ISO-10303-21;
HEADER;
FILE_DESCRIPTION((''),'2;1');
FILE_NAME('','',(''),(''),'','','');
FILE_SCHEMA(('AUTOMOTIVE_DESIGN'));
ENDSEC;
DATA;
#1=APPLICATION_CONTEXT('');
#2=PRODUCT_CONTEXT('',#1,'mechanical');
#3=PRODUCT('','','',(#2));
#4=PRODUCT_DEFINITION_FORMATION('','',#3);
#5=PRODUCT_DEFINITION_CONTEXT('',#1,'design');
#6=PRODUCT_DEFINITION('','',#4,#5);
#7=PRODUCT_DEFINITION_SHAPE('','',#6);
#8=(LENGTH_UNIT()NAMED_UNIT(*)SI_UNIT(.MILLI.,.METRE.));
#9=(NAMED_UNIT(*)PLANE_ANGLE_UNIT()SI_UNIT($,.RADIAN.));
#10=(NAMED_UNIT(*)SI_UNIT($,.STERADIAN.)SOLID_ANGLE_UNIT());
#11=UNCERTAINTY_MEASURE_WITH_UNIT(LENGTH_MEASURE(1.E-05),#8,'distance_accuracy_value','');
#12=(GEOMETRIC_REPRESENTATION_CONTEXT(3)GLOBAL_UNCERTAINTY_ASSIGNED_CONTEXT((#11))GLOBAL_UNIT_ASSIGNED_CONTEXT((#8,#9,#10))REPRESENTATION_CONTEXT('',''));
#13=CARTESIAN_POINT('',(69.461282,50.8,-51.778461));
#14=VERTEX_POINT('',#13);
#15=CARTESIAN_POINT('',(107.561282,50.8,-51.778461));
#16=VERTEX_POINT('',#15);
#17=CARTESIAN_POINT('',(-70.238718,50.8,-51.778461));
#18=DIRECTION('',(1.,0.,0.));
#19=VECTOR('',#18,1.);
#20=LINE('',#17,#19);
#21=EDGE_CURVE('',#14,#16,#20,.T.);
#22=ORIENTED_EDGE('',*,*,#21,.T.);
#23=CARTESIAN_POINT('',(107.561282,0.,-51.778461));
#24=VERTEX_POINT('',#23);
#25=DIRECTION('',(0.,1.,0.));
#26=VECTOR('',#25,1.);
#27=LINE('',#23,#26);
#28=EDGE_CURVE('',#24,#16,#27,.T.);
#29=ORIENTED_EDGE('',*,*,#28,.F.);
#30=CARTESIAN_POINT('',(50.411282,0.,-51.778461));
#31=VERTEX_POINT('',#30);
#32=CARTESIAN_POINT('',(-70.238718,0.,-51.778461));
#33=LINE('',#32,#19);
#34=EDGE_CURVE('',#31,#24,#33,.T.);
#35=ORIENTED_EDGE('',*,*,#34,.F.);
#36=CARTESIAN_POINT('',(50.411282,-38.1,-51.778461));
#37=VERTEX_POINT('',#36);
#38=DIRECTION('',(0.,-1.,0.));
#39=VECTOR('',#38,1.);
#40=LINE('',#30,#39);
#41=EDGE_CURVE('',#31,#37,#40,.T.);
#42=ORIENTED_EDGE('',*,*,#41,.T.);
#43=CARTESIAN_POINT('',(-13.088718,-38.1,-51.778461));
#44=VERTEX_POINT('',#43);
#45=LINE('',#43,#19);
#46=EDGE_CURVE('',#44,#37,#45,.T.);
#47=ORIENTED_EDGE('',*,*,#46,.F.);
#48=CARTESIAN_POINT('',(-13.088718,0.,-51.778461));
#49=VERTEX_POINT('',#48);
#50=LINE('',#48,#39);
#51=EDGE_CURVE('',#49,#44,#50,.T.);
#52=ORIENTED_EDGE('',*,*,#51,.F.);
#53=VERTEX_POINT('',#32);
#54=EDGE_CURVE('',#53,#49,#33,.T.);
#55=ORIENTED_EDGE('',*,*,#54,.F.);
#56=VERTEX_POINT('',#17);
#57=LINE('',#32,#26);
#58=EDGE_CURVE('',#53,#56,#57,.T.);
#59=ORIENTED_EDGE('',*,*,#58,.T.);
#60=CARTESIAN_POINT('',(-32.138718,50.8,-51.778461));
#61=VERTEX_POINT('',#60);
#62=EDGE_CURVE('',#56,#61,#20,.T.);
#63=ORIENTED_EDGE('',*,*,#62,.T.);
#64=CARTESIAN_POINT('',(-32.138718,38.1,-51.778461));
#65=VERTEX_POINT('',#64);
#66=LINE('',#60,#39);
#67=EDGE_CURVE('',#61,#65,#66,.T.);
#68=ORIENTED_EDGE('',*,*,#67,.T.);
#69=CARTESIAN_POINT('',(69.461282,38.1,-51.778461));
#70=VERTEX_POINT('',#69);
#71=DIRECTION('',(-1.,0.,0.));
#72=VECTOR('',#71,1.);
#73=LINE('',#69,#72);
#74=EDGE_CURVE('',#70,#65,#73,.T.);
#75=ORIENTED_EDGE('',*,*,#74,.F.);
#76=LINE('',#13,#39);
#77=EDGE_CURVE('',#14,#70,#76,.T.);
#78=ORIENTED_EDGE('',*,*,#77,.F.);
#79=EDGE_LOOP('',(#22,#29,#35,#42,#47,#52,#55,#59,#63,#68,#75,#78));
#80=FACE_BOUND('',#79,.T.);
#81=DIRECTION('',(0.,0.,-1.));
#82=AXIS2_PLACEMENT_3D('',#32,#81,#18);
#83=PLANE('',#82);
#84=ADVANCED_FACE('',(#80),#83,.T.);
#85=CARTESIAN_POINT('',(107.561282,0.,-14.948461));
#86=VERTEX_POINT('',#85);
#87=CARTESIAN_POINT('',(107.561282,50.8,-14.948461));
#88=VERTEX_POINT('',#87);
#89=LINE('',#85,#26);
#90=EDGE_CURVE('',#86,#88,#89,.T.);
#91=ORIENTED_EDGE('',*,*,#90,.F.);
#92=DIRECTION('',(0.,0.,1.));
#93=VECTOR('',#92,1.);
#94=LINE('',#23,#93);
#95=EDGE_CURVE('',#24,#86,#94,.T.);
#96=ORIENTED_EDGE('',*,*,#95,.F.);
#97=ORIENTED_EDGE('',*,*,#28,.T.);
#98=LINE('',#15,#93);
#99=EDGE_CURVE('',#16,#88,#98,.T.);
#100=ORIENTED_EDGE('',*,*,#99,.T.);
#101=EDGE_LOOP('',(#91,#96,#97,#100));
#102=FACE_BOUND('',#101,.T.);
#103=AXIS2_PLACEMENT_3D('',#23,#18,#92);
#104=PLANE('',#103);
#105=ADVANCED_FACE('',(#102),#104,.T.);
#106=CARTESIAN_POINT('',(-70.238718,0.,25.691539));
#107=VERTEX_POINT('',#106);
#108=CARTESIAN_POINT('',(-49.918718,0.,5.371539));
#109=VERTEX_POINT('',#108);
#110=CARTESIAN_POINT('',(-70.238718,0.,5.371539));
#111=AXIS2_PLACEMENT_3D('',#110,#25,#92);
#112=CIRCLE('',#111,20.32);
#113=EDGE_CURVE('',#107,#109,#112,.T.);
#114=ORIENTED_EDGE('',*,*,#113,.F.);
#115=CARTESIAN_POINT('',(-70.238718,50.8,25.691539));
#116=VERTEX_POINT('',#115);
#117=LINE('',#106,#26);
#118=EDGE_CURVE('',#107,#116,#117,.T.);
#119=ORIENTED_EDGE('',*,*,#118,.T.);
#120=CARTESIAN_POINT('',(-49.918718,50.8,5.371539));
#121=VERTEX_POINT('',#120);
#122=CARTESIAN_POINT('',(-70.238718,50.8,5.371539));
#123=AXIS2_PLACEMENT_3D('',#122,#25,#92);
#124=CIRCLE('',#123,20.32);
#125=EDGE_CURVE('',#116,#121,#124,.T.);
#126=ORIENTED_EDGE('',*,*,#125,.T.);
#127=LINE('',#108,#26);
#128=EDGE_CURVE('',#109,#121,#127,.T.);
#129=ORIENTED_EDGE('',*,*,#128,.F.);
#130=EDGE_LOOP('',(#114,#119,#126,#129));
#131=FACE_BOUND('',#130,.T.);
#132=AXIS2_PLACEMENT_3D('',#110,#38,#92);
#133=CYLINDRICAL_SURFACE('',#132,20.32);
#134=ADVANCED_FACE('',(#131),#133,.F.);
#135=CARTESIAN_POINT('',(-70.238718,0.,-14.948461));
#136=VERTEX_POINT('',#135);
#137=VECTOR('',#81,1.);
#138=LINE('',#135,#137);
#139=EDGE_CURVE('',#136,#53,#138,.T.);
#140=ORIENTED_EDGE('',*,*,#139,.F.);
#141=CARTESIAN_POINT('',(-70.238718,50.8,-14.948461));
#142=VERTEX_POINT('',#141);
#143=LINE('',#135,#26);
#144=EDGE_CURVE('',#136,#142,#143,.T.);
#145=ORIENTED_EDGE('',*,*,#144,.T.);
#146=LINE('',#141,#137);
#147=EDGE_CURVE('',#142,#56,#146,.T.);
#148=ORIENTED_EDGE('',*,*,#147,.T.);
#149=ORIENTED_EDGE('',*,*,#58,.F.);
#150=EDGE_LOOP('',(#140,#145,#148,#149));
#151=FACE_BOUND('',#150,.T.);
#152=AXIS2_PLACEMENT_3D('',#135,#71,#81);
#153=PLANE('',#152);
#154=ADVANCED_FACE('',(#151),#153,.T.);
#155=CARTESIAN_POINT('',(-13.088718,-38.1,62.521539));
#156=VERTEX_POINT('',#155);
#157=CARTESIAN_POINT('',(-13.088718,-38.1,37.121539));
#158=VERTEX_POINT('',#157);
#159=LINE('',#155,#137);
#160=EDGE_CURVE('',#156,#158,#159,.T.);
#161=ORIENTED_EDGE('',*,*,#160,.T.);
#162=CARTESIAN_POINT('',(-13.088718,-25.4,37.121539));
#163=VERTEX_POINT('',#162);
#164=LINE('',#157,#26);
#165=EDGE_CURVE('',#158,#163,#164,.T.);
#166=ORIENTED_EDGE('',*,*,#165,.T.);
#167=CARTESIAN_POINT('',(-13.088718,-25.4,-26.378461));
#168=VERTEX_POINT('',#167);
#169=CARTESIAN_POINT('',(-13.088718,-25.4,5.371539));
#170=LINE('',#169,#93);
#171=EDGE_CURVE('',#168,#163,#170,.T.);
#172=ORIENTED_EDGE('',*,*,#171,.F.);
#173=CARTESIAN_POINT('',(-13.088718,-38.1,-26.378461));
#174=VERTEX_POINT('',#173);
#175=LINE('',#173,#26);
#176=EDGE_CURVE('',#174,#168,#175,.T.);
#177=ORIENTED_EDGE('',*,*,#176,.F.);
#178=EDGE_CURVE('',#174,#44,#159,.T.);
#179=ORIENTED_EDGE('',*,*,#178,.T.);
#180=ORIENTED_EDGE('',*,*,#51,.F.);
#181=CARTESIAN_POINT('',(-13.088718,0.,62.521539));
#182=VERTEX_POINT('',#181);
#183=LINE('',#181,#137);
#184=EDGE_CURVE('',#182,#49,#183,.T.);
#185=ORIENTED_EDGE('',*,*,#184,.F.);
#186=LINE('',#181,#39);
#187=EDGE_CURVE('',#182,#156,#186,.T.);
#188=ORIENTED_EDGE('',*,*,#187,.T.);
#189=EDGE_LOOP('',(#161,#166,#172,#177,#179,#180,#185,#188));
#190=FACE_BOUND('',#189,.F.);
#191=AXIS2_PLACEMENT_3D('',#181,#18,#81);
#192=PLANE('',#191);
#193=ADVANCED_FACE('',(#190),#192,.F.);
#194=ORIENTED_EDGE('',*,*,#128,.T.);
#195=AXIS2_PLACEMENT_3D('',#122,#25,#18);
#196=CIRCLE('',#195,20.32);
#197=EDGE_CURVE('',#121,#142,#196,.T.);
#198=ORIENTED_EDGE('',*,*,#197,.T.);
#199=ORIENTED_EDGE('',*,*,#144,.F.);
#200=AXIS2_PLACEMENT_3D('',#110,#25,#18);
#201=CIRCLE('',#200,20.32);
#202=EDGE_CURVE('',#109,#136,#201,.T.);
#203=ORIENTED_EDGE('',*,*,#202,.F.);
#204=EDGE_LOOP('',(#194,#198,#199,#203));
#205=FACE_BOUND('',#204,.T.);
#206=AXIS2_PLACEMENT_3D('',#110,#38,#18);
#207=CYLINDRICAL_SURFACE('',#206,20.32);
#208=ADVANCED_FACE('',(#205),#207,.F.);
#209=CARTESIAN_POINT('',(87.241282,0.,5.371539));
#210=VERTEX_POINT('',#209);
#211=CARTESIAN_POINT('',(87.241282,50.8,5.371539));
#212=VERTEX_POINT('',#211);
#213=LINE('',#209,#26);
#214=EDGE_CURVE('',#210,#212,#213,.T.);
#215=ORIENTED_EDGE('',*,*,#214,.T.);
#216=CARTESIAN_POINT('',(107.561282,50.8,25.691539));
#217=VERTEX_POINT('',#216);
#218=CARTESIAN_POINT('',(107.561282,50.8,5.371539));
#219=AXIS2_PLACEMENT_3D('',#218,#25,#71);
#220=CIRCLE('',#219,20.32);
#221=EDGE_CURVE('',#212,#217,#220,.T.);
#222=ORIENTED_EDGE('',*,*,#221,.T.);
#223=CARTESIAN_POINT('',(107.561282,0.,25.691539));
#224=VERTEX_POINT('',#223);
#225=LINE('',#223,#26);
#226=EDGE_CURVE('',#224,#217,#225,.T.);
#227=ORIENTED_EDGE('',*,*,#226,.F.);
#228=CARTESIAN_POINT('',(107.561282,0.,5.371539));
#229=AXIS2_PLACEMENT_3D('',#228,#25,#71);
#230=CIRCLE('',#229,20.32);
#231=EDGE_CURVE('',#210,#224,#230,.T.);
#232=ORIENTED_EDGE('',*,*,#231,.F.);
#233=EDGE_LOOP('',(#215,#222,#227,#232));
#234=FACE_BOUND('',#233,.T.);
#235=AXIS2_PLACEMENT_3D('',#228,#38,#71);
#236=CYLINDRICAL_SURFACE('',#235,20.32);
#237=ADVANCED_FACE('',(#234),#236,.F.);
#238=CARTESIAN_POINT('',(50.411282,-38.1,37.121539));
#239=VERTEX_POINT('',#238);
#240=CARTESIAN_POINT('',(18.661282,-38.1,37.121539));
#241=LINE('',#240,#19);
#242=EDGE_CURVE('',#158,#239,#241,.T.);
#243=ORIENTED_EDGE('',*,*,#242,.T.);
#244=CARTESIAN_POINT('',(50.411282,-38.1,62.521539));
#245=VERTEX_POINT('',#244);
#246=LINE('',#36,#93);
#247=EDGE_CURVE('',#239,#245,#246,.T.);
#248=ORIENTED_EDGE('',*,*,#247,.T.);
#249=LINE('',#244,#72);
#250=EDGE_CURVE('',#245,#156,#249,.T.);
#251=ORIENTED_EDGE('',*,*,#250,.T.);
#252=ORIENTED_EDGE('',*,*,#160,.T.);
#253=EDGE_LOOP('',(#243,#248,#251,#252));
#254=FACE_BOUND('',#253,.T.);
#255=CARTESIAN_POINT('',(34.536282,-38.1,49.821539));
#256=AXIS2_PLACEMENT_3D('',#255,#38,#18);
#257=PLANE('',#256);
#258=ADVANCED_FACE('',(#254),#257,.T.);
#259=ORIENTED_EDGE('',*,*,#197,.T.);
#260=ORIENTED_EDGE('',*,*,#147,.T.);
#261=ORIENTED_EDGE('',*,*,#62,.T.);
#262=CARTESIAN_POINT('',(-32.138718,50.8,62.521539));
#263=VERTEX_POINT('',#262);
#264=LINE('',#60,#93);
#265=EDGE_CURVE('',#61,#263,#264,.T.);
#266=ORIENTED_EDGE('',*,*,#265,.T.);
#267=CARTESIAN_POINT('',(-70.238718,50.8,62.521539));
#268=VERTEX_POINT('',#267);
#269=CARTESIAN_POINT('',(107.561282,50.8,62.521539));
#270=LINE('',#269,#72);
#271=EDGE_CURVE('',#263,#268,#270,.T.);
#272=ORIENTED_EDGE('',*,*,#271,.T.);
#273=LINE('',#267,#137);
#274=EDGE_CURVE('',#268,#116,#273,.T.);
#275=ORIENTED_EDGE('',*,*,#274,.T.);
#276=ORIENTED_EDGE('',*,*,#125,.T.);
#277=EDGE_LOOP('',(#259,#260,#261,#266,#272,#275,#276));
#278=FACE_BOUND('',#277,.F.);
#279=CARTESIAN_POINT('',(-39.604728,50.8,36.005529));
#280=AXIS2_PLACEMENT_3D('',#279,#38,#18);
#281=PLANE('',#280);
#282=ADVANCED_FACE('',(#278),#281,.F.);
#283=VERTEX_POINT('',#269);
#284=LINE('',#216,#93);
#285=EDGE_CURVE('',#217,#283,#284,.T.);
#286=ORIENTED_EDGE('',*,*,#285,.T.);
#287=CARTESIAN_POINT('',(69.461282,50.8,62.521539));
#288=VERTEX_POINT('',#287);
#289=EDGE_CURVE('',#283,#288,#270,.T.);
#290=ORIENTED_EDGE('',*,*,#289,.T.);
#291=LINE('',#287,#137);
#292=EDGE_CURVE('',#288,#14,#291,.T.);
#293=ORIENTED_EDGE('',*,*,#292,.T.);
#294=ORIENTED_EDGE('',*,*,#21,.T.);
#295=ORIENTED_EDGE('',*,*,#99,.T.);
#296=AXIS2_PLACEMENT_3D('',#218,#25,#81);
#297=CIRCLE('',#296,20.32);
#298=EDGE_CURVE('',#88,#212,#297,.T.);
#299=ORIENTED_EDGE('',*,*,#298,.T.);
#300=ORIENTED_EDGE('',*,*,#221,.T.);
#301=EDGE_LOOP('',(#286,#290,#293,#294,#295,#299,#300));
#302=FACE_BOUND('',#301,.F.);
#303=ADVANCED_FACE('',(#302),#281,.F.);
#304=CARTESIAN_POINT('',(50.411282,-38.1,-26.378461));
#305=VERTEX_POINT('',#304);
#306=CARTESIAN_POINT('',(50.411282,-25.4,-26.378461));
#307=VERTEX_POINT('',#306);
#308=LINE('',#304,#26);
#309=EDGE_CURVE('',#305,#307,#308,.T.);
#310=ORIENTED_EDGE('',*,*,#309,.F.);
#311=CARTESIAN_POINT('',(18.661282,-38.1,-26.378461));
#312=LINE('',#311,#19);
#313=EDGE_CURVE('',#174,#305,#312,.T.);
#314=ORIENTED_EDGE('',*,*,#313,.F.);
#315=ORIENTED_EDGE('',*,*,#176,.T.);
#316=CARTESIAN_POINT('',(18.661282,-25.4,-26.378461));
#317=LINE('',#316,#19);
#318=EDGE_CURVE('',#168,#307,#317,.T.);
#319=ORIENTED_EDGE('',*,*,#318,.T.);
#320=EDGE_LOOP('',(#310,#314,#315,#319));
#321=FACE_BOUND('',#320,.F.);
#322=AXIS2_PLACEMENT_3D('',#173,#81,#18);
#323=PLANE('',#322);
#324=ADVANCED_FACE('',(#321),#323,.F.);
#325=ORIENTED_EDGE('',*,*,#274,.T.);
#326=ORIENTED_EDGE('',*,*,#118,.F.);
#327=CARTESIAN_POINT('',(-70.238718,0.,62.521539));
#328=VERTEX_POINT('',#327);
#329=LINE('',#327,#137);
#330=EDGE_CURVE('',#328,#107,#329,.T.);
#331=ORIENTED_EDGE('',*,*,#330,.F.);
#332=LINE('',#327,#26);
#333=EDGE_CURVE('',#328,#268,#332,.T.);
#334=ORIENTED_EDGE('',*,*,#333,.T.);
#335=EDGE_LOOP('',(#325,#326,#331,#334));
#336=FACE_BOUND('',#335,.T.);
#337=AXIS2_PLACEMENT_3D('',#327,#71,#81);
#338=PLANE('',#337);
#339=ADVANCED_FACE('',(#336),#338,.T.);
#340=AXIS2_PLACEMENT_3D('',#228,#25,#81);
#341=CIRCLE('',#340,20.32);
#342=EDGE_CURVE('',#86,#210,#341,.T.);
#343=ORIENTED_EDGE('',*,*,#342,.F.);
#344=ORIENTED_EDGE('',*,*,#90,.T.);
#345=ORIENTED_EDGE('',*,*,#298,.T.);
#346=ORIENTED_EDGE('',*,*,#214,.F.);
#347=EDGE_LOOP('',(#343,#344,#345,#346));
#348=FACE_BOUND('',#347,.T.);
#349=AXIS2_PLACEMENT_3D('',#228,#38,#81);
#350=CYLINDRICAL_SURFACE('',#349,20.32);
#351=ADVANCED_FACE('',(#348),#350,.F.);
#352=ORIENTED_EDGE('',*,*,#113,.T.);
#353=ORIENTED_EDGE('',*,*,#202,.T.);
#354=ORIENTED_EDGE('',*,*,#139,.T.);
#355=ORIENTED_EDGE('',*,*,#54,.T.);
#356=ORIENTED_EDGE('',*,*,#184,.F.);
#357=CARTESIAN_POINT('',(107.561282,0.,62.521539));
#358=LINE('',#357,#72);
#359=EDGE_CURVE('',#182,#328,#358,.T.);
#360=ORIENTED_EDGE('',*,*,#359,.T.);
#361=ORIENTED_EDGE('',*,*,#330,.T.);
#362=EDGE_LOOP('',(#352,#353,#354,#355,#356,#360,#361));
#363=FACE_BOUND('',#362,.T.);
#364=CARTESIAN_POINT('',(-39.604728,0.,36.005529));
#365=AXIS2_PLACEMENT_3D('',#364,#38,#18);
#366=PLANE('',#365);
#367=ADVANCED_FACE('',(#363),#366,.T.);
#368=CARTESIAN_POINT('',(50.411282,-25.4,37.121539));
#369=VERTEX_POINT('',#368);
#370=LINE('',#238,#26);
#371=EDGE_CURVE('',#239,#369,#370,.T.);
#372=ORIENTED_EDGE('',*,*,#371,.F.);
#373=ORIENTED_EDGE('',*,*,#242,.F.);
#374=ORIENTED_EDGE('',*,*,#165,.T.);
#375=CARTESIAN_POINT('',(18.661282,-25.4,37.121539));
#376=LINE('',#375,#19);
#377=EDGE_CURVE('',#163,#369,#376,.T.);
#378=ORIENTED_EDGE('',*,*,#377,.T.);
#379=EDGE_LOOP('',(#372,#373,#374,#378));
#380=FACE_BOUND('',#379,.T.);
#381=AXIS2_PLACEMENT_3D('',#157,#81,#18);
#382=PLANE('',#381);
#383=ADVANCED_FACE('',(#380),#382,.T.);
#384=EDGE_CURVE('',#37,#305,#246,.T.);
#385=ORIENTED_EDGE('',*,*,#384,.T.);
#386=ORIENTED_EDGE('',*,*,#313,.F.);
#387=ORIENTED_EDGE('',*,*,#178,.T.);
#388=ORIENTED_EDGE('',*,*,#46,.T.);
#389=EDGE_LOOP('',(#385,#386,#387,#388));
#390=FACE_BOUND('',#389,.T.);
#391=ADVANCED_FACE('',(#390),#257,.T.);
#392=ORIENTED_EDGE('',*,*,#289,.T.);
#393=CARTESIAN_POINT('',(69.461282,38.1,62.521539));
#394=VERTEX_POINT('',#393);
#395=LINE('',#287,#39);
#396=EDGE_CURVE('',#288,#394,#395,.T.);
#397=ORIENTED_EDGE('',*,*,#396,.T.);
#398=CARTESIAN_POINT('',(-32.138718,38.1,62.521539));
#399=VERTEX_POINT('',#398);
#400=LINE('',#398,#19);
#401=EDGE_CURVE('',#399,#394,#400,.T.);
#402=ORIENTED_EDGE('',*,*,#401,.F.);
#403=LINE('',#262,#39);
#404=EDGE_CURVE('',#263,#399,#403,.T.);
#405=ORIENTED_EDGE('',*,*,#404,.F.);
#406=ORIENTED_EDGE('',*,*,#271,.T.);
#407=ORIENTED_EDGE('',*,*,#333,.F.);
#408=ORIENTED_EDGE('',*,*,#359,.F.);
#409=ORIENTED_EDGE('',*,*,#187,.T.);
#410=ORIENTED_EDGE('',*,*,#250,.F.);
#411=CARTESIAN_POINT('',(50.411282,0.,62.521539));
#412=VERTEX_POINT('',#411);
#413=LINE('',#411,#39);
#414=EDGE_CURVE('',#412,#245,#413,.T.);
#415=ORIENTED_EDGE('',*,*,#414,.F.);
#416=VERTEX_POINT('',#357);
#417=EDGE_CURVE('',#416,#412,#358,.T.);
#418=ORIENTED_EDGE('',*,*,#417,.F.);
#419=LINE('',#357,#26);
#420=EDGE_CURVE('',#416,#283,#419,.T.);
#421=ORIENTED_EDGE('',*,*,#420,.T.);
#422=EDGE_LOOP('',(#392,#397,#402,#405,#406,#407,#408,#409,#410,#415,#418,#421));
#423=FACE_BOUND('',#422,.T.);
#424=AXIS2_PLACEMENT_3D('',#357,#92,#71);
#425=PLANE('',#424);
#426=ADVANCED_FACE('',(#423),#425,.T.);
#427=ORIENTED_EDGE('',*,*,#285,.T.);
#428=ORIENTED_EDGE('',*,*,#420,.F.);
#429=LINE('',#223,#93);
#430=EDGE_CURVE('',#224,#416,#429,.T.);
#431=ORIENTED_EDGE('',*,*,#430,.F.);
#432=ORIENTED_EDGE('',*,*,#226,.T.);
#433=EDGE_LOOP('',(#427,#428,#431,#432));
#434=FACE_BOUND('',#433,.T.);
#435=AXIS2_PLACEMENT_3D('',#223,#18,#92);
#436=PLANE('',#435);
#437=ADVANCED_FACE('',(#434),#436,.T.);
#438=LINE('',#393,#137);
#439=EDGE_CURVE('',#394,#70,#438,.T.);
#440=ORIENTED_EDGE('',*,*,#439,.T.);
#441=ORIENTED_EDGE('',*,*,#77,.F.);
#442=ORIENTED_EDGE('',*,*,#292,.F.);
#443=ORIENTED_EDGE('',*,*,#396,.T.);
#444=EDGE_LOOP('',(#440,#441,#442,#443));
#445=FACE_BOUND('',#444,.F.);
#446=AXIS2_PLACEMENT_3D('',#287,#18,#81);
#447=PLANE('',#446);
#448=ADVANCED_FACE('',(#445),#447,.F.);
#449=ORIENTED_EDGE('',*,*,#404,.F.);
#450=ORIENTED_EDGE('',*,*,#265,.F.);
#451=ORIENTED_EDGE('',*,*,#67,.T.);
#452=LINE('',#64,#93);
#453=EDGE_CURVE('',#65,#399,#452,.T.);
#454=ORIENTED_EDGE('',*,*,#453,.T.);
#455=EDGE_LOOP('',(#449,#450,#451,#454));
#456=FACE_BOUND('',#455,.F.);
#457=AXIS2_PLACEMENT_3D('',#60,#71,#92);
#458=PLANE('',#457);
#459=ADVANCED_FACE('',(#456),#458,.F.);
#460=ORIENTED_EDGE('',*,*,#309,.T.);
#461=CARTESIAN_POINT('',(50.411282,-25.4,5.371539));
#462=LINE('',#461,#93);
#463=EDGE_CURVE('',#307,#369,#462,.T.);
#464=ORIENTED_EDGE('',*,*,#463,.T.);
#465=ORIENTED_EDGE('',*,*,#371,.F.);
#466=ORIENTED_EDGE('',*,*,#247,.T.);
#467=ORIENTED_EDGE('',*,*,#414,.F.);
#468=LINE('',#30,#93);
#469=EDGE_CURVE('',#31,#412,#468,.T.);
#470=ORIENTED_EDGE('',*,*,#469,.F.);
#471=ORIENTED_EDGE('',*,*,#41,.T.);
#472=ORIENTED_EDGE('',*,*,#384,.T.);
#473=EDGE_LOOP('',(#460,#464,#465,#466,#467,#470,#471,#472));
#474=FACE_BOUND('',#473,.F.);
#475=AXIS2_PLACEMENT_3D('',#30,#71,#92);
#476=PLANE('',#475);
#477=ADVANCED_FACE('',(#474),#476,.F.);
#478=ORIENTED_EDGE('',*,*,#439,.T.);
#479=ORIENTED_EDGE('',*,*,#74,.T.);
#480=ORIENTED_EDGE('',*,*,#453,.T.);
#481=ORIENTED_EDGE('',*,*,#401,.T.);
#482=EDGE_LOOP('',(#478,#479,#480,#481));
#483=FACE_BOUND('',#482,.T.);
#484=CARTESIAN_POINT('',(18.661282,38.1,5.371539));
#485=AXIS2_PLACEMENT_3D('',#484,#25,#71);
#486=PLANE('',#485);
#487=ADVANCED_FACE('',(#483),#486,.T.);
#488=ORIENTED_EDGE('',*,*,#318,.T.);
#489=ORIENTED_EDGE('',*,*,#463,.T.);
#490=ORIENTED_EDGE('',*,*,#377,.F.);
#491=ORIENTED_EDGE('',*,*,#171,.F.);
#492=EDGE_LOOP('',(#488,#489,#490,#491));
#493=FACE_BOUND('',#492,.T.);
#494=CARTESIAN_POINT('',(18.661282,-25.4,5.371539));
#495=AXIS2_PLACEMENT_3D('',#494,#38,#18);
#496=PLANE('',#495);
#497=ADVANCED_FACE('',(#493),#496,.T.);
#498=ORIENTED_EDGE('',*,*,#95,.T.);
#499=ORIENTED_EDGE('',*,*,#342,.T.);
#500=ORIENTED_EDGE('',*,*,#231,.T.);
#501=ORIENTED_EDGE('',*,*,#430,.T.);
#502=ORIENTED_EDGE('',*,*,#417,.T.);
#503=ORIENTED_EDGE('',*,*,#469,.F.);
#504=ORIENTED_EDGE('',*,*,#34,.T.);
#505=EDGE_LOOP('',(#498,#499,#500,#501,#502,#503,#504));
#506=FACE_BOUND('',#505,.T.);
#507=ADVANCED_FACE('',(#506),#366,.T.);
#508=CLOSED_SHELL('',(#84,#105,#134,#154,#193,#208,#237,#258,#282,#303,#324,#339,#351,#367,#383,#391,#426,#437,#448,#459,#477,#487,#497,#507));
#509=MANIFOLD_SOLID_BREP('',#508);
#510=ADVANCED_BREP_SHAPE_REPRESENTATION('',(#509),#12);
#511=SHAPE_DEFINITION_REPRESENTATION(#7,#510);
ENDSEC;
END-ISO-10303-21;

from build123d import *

# Parameters (mm, degrees)
F0_W     = 31.75
F0_H     = 57.15
F1_DEPTH = 50.8
F2_W     = 31.75
F2_H     = 25.4
F2_H_2   = 63.5
F3_DEPTH = 38.1
F4_W     = 63.5
F4_H     = 63.5
F5_DEPTH = 12.7
F7_DEPTH = 12.7


with BuildPart() as f1:
    # F0 (on Front) → F1 (new body)
    with BuildSketch(Plane.XZ):
        with BuildLine():
            Line((-13.088717841, 62.5215394646), (-70.238717841, 62.5215394646))
            Line((-70.238717841, 62.5215394646), (-70.238717841, 25.6915394646))
            ThreePointArc((-70.238717841, 25.6915394646), (-55.8703080473, 19.7399492583), (-49.918717841, 5.3715394646))
            Line((-49.918717841, 5.3715394646), (-13.088717841, 5.3715394646))
            Line((-13.088717841, 5.3715394646), (-13.088717841, 62.5215394646))
        make_face()
        with BuildLine():
            Line((-13.088717841, -51.7784605354), (-13.088717841, 5.3715394646))
            Line((-13.088717841, 5.3715394646), (-49.918717841, 5.3715394646))
            ThreePointArc((-49.918717841, 5.3715394646), (-55.8703080473, -8.9968703291), (-70.238717841, -14.9484605354))
            Line((-70.238717841, -14.9484605354), (-70.238717841, -51.7784605354))
            Line((-70.238717841, -51.7784605354), (-13.088717841, -51.7784605354))
        make_face()
        with BuildLine():
            Line((87.241282159, 5.3715394646), (50.411282159, 5.3715394646))
            Line((50.411282159, 5.3715394646), (50.411282159, -51.7784605354))
            Line((50.411282159, -51.7784605354), (107.561282159, -51.7784605354))
            Line((107.561282159, -51.7784605354), (107.561282159, -14.9484605354))
            ThreePointArc((107.561282159, -14.9484605354), (93.1928723653, -8.9968703291), (87.241282159, 5.3715394646))
        make_face()
        with BuildLine():
            Line((107.561282159, 62.5215394646), (50.411282159, 62.5215394646))
            Line((50.411282159, 62.5215394646), (50.411282159, 5.3715394646))
            Line((50.411282159, 5.3715394646), (87.241282159, 5.3715394646))
            ThreePointArc((87.241282159, 5.3715394646), (93.1928723653, 19.7399492583), (107.561282159, 25.6915394646))
            Line((107.561282159, 25.6915394646), (107.561282159, 62.5215394646))
        make_face()
        with Locations((2.786282159, 33.9465394646)):
            Rectangle(F0_W, F0_H)
        with Locations((2.786282159, -23.2034605354)):
            Rectangle(F0_W, F0_H)
        with Locations((34.536282159, -23.2034605354)):
            Rectangle(F0_W, F0_H)
        with Locations((34.536282159, 33.9465394646)):
            Rectangle(F0_W, F0_H)
    extrude(amount=-F1_DEPTH)

    # F2 (on face) → F3 (join)
    with BuildSketch(Plane.XZ):
        with Locations((34.536282159, 49.8215394646)):
            Rectangle(F2_W, F2_H)
        with Locations((2.786282159, 49.8215394646)):
            Rectangle(F2_W, F2_H)
        with Locations((2.786282159, -39.0784605354)):
            Rectangle(F2_W, F2_H)
        with Locations((34.536282159, -39.0784605354)):
            Rectangle(F2_W, F2_H)
        with Locations((34.536282159, 5.3715394646)):
            Rectangle(F2_W, F2_H_2)
        with Locations((2.786282159, 5.3715394646)):
            Rectangle(F2_W, F2_H_2)
    extrude(amount=F3_DEPTH)

    # F4 (on face) → F5 (cut)
    with BuildSketch(Plane.XZ.offset(38.1)):
        with Locations((18.661282159, 5.3715394646)):
            Rectangle(F4_W, F4_H)
    extrude(amount=-F5_DEPTH, mode=Mode.SUBTRACT)

    # F6 (on face) → F7 (cut)
    with BuildSketch(Plane(origin=(0, 50.8, 0), x_dir=(-1, 0, 0), z_dir=(0, 1, 0))):
        Polygon((32.138717841, 62.5215394646), (-18.661282159, 62.5215394646), (-69.461282159, 62.5215394646), (-69.461282159, -51.7784605354), (-54.4542595744, -51.7784605354), (-51.7406947911, -51.7784605354), (32.138717841, -51.7784605354), align=None)
    extrude(amount=-F7_DEPTH, mode=Mode.SUBTRACT)


solid = f1.part
